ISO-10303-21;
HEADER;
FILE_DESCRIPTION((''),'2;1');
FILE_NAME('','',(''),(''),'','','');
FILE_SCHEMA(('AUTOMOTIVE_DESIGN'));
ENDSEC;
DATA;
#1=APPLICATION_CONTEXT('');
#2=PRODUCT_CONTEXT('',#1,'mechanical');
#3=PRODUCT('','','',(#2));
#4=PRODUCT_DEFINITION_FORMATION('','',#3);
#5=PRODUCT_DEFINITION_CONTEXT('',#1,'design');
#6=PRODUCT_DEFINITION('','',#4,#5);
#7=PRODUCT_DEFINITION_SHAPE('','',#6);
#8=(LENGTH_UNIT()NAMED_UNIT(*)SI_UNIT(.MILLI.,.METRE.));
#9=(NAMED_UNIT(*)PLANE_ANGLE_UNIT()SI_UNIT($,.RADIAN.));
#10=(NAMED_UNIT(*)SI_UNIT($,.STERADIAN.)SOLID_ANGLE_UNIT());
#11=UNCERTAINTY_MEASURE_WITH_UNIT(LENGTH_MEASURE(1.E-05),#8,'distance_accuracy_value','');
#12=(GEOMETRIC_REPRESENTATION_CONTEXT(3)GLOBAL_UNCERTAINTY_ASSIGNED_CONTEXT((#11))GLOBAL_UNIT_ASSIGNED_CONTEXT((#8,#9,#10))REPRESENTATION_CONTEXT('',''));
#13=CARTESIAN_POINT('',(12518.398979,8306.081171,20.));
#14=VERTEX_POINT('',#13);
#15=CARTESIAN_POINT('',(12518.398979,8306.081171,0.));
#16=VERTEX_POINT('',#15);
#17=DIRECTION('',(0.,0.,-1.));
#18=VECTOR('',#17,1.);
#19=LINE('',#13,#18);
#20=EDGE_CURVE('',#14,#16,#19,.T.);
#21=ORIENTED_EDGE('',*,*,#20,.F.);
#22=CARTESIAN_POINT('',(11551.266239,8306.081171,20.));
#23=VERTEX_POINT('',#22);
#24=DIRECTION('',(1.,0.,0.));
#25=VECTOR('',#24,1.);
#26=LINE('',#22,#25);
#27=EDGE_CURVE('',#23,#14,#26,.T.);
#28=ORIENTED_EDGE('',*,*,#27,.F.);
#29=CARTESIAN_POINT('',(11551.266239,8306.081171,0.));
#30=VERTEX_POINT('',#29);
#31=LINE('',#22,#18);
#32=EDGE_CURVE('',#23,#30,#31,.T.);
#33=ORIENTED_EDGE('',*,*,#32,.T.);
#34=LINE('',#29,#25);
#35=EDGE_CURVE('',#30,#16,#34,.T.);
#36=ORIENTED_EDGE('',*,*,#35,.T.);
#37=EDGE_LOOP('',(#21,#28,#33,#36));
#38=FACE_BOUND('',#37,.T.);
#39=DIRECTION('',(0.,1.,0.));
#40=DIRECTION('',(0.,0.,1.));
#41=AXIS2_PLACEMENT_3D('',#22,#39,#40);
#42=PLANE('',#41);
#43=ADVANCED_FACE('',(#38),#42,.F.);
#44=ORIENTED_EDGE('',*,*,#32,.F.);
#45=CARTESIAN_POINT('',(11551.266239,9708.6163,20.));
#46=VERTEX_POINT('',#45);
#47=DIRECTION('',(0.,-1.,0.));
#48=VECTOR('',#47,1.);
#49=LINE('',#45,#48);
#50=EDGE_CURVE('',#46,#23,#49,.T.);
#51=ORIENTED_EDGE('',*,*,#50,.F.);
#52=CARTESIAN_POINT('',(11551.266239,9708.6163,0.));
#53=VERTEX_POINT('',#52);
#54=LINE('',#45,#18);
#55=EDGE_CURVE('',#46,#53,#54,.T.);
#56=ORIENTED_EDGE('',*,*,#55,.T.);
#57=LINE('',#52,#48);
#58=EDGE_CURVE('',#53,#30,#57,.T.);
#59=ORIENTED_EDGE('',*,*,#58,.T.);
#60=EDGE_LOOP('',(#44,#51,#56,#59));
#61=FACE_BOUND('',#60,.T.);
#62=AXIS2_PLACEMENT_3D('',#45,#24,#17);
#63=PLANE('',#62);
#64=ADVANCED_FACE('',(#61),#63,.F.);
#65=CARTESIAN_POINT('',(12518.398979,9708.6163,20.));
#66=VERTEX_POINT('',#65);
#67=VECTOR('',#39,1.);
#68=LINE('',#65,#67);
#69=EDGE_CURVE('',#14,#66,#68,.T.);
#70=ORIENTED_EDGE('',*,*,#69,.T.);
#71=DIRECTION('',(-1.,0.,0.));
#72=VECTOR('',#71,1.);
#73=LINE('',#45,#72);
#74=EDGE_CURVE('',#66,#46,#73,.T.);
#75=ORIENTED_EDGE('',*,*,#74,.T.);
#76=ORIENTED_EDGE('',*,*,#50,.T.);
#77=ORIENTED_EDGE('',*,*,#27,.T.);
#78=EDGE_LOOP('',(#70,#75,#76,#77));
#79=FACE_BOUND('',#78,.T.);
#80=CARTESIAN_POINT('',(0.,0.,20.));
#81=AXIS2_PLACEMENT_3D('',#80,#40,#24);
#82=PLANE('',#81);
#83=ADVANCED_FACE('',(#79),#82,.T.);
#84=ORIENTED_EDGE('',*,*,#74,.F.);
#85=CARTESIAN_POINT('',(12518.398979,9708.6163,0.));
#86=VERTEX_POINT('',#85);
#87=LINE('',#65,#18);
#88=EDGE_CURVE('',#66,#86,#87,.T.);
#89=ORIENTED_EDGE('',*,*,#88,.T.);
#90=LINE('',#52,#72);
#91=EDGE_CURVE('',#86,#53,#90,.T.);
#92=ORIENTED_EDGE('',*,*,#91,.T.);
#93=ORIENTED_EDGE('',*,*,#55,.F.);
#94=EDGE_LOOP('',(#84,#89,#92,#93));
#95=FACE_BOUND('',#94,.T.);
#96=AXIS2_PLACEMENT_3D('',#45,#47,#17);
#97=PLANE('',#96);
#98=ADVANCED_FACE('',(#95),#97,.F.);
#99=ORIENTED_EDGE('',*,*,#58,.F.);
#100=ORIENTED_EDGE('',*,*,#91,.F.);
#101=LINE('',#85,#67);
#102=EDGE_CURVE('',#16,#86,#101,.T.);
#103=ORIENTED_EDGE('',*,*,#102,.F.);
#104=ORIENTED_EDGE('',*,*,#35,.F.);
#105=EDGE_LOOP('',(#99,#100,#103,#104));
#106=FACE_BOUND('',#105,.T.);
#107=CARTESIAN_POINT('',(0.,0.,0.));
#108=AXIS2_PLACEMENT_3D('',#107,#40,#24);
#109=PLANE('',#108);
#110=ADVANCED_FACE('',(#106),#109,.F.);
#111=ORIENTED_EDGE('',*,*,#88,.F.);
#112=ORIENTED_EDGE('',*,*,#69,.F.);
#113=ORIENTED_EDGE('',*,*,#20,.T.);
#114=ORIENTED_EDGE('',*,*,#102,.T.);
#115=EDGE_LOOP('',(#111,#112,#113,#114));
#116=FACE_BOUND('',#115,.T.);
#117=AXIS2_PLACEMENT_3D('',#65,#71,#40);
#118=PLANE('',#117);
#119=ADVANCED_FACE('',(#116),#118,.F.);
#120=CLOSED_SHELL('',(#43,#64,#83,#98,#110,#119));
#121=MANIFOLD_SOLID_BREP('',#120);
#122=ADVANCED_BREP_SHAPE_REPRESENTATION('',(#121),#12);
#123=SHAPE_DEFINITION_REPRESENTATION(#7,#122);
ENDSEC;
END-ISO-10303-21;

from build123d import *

# Parameters (mm, degrees)
SKETCH1_W           = 967.132740307
SKETCH1_H           = 1402.535129369
BOSS_EXTRUDE1_DEPTH = 20


with BuildPart() as part:
    # Sketch1 → Boss-Extrude1 (new body)
    with BuildSketch(Plane.XY):
        with Locations((12034.832609318, 9007.348735233)):
            Rectangle(SKETCH1_W, SKETCH1_H)
    extrude(amount=BOSS_EXTRUDE1_DEPTH)


solid = part.part
